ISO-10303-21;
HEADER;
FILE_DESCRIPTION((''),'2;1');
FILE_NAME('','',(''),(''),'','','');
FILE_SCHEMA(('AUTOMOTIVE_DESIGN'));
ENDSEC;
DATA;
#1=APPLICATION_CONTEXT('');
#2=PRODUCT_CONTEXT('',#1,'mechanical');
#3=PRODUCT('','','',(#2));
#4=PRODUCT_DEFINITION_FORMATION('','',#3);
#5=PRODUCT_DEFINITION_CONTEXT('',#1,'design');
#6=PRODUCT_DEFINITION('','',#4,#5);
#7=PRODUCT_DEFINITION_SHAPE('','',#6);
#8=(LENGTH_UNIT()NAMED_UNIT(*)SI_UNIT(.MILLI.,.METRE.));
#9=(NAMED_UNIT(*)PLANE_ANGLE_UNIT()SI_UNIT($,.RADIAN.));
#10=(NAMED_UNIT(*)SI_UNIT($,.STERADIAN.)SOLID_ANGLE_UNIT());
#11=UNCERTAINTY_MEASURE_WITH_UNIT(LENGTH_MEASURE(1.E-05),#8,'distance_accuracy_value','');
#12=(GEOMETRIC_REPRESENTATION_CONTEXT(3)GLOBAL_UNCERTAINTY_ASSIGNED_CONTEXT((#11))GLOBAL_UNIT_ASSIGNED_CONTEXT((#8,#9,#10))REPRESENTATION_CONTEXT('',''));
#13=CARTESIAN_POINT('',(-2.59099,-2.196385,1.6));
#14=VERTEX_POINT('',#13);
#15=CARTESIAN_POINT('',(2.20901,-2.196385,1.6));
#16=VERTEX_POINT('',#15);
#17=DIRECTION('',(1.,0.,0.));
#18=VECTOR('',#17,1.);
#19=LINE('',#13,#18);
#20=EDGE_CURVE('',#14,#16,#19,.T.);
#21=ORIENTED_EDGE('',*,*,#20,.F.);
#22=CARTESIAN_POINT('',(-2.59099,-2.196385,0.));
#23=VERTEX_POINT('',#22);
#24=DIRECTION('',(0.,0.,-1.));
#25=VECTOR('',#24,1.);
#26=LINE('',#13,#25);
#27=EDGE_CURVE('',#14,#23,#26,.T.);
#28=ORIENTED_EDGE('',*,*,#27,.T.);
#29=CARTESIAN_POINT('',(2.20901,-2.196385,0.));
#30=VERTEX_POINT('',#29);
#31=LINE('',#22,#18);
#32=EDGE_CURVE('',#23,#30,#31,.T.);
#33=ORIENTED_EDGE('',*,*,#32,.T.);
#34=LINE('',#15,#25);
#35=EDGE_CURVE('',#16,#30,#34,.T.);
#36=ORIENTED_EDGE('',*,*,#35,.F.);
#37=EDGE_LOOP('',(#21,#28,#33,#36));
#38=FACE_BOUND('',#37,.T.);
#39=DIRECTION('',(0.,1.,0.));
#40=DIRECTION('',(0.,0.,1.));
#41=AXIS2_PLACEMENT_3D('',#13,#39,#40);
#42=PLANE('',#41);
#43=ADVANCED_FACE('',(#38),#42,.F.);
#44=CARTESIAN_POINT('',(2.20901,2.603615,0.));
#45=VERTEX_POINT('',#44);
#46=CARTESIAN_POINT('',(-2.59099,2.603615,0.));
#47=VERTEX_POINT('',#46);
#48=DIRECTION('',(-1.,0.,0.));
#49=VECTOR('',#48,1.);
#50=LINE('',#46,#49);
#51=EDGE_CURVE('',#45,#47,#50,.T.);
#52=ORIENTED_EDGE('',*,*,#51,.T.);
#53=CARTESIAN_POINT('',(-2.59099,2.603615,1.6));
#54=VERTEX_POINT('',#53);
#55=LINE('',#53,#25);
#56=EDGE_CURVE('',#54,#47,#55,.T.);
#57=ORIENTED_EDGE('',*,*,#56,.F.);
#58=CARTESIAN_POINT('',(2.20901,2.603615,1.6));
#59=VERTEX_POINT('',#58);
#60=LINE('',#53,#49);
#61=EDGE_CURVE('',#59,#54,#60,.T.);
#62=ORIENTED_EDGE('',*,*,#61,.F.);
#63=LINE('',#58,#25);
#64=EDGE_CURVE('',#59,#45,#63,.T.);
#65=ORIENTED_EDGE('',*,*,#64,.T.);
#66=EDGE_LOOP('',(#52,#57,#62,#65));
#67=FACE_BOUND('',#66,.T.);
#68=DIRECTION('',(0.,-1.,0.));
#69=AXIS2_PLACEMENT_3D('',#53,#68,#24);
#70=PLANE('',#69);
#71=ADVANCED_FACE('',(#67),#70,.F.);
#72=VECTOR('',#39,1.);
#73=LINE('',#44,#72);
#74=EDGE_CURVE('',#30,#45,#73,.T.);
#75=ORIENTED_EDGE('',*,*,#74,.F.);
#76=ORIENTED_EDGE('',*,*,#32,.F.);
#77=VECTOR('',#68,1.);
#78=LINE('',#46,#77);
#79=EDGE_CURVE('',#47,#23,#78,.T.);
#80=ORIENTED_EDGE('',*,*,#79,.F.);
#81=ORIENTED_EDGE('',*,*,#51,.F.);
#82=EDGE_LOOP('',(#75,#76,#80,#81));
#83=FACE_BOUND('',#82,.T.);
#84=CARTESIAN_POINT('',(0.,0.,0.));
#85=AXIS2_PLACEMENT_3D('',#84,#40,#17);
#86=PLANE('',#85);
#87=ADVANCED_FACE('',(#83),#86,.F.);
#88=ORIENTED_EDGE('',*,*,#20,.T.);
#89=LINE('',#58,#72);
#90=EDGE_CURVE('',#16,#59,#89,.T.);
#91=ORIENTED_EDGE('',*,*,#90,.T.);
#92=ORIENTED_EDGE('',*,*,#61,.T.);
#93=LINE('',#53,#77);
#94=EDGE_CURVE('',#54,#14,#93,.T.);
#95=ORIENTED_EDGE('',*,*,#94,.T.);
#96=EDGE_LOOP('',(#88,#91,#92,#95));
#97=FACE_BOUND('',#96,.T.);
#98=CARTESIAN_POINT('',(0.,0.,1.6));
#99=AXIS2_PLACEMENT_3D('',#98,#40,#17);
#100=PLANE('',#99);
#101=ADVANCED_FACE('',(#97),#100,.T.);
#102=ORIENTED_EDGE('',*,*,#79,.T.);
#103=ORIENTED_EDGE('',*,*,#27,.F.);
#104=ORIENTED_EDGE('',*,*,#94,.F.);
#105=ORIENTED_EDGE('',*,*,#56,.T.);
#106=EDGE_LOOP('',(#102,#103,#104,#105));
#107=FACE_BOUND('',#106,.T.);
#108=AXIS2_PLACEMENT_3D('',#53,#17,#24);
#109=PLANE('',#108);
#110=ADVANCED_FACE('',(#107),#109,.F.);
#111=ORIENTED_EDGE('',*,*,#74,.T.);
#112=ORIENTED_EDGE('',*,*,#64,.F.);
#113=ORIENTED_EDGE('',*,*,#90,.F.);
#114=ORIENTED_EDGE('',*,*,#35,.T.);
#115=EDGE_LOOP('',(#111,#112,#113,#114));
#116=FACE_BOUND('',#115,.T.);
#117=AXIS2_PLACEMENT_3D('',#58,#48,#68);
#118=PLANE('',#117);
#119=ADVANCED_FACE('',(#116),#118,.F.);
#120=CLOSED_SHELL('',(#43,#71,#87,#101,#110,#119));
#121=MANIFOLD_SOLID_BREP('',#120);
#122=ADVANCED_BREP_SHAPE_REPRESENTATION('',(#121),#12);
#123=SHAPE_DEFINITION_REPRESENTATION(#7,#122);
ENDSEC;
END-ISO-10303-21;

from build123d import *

# Parameters (mm, degrees)
SKETCH_1_W      = 4.8
SKETCH_1_H      = 4.8
EXTRUDE_1_DEPTH = 1.6


with BuildPart() as part:
    # Эскиз1 → Бобышка-Вытянуть1 (new body)
    with BuildSketch(Plane.XY):
        with Locations((-0.190989986, 0.203615159)):
            Rectangle(SKETCH_1_W, SKETCH_1_H)
    extrude(amount=EXTRUDE_1_DEPTH)


solid = part.part
